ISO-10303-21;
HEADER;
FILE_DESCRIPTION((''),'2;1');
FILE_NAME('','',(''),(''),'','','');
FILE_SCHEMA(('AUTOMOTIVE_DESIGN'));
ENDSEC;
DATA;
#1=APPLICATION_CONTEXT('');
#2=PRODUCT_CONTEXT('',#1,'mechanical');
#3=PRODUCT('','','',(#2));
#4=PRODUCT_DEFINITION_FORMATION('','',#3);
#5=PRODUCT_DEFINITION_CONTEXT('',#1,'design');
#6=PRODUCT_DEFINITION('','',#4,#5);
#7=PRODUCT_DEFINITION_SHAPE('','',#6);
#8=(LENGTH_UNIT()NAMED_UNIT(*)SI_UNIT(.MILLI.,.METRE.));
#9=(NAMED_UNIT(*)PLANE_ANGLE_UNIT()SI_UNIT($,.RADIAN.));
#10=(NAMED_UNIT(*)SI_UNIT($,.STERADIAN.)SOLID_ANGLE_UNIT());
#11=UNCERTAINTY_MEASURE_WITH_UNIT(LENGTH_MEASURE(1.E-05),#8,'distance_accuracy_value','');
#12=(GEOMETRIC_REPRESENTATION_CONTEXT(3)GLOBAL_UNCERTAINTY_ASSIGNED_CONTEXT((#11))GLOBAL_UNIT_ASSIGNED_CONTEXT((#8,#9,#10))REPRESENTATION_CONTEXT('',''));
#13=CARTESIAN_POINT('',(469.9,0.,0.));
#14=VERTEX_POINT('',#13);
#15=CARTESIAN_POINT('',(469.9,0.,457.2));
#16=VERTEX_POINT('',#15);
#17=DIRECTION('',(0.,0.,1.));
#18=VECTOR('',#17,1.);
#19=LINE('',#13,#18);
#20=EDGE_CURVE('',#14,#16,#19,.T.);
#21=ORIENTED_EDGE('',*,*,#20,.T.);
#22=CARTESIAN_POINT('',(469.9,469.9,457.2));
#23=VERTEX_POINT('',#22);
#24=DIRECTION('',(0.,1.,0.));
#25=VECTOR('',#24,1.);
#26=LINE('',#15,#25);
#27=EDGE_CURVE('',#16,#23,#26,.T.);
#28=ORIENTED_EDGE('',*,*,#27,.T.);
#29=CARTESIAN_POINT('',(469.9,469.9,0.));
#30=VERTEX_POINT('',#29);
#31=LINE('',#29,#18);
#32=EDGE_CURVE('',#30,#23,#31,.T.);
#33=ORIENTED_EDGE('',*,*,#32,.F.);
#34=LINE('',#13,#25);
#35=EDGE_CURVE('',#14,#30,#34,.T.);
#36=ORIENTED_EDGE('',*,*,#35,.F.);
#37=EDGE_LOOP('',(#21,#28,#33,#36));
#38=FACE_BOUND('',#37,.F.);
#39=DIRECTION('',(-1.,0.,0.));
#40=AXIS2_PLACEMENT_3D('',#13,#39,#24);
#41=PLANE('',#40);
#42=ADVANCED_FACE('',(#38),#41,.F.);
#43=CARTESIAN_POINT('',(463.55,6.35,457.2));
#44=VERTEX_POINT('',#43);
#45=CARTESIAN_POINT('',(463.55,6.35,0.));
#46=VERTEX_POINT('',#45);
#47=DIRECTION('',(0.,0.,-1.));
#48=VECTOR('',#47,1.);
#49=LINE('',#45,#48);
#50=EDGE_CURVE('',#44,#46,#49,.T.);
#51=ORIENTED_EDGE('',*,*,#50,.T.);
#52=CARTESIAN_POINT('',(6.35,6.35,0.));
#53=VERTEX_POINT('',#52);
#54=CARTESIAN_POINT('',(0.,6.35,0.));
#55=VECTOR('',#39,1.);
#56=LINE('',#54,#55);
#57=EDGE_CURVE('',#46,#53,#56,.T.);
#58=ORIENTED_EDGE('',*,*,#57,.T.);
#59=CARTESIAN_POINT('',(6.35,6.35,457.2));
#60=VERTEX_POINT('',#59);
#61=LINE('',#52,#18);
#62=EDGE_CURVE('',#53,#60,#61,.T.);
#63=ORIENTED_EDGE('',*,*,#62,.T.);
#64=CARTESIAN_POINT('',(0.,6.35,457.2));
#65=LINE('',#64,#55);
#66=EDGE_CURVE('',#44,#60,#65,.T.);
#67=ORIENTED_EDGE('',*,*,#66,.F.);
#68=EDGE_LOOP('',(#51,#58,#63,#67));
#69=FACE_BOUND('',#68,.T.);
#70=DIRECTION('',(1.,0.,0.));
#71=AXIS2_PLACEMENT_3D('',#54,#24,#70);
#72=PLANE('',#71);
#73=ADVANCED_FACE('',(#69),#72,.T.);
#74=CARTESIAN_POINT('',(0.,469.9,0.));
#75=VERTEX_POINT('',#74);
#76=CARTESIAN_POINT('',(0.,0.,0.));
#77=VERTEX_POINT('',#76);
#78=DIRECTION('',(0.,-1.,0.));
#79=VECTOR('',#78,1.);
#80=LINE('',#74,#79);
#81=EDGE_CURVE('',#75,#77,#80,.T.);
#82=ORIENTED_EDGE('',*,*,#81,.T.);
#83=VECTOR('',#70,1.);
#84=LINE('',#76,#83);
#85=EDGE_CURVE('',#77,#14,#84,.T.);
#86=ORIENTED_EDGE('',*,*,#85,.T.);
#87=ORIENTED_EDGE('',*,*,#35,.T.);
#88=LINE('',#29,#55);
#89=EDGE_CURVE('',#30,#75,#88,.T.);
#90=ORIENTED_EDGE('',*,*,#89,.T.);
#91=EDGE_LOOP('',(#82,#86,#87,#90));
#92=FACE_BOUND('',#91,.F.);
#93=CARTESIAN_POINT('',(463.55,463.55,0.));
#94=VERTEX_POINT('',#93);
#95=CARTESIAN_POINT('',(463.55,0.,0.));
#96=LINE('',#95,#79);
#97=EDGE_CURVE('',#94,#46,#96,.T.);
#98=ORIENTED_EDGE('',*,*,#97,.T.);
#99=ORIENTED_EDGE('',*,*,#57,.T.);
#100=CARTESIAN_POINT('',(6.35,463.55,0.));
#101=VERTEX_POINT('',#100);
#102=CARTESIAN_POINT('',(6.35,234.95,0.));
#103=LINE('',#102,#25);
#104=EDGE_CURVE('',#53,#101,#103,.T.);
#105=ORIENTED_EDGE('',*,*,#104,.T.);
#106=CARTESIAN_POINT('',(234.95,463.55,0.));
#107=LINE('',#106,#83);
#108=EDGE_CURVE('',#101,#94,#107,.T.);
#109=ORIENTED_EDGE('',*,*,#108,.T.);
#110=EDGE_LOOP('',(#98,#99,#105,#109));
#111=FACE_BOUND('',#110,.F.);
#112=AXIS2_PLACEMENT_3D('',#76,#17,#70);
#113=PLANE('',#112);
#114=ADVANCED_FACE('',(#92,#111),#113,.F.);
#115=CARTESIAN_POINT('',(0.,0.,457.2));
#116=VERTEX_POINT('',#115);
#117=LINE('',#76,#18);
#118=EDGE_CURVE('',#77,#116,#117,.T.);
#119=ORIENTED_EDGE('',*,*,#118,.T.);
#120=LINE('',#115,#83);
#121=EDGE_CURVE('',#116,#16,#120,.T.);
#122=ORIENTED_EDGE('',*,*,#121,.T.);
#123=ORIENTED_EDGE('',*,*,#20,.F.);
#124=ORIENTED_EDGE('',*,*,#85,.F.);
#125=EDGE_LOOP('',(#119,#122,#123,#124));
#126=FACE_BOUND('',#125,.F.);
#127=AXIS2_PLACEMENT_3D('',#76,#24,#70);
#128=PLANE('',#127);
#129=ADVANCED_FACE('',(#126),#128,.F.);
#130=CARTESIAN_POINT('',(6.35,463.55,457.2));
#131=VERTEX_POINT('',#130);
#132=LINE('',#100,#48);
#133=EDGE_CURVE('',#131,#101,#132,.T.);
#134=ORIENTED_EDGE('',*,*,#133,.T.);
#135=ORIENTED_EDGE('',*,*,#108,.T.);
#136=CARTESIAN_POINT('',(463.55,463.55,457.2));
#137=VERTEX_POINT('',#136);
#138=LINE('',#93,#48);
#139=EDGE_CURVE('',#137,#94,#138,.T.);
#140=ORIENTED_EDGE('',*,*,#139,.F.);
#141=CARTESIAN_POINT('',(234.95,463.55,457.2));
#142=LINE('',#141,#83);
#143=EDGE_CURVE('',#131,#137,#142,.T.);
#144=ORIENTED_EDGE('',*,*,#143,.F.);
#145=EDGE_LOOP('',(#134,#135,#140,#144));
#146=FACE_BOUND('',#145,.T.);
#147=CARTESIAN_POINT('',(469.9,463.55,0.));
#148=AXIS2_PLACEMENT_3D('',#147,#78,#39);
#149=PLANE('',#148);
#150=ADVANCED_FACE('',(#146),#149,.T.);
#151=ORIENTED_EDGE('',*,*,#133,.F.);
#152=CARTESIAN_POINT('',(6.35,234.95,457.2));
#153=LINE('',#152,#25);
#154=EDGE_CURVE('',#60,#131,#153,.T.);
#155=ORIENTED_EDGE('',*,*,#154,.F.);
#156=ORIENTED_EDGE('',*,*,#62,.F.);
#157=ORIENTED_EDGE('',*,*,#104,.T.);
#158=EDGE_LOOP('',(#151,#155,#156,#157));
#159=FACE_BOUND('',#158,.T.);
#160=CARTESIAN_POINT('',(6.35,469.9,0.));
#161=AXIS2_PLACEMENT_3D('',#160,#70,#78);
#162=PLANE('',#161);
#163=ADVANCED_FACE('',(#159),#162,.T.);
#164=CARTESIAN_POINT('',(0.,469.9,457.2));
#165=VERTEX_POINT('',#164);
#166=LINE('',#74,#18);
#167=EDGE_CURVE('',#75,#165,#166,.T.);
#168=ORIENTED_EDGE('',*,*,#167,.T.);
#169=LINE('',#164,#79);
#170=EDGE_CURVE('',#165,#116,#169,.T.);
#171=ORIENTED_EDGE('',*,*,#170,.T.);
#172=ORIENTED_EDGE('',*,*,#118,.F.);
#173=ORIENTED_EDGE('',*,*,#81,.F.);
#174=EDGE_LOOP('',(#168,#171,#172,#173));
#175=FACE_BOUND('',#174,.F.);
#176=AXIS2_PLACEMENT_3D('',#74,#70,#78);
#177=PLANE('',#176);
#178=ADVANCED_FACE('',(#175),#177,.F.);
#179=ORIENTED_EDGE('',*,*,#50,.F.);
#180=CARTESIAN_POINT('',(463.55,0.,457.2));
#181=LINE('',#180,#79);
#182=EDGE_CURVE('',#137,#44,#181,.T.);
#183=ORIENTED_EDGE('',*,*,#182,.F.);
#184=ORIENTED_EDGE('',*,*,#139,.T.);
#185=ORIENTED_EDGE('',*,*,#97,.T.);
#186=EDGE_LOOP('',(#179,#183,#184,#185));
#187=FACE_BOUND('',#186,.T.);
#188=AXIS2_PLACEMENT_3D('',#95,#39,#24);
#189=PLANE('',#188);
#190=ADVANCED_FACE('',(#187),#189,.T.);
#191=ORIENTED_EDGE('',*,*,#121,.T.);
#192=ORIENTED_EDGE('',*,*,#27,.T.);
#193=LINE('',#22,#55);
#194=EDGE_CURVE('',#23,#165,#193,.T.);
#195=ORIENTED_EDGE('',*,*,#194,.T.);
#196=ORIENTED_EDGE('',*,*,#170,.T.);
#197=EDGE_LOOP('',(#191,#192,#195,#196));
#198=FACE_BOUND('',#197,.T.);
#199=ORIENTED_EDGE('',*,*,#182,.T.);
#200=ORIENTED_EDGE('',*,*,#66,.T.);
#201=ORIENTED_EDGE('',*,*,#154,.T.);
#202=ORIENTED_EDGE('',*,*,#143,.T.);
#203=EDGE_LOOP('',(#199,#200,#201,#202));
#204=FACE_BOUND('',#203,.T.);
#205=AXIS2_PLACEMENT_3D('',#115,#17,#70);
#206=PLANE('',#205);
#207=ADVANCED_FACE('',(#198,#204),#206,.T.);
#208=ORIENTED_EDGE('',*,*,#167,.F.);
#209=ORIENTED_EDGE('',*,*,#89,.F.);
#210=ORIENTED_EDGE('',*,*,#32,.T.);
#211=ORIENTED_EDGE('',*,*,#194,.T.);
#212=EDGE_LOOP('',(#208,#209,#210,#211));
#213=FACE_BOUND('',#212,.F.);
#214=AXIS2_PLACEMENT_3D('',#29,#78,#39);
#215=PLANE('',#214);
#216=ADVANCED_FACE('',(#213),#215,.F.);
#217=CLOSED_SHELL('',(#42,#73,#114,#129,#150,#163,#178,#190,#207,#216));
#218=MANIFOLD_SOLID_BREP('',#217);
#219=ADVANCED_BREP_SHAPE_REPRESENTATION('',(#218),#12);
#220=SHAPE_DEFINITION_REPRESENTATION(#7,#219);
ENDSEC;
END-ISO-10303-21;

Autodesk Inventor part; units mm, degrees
ref_plane "YZ Plane" through (0, 0, 0) normal (1, 0, 0) x (0, 1, 0)
ref_plane "XZ Plane" through (0, 0, 0) normal (0, 1, 0) x (-1, 0, 0)
ref_plane "XY Plane" through (0, 0, 0) normal (0, 0, 1) x (1, 0, 0)
sketch "Sketch1" plane through (0, 0, 0) normal (0, 0, 1) x (1, 0, 0)
  line L0 (0, 0) -> (469.9, 0)
  line L1 (469.9, 0) -> (469.9, 469.9)
  line L2 (469.9, 469.9) -> (0, 469.9)
  line L3 (0, 469.9) -> (0, 0)
  dimension "d0" = 469.9
  dimension "d1" = 469.9
extrude "Extrusion1" add sketch "Sketch1" along normal blind 457.2
shell "Shell1" thickness 6.35 removed faces 2 at (156.6333, 313.2667, 0) at (156.6333, 313.2667, 457.2)
equation "\"d2\" = size"
equation "\"size\" = 457.2"
properties part number "Sizing Tool-01"
